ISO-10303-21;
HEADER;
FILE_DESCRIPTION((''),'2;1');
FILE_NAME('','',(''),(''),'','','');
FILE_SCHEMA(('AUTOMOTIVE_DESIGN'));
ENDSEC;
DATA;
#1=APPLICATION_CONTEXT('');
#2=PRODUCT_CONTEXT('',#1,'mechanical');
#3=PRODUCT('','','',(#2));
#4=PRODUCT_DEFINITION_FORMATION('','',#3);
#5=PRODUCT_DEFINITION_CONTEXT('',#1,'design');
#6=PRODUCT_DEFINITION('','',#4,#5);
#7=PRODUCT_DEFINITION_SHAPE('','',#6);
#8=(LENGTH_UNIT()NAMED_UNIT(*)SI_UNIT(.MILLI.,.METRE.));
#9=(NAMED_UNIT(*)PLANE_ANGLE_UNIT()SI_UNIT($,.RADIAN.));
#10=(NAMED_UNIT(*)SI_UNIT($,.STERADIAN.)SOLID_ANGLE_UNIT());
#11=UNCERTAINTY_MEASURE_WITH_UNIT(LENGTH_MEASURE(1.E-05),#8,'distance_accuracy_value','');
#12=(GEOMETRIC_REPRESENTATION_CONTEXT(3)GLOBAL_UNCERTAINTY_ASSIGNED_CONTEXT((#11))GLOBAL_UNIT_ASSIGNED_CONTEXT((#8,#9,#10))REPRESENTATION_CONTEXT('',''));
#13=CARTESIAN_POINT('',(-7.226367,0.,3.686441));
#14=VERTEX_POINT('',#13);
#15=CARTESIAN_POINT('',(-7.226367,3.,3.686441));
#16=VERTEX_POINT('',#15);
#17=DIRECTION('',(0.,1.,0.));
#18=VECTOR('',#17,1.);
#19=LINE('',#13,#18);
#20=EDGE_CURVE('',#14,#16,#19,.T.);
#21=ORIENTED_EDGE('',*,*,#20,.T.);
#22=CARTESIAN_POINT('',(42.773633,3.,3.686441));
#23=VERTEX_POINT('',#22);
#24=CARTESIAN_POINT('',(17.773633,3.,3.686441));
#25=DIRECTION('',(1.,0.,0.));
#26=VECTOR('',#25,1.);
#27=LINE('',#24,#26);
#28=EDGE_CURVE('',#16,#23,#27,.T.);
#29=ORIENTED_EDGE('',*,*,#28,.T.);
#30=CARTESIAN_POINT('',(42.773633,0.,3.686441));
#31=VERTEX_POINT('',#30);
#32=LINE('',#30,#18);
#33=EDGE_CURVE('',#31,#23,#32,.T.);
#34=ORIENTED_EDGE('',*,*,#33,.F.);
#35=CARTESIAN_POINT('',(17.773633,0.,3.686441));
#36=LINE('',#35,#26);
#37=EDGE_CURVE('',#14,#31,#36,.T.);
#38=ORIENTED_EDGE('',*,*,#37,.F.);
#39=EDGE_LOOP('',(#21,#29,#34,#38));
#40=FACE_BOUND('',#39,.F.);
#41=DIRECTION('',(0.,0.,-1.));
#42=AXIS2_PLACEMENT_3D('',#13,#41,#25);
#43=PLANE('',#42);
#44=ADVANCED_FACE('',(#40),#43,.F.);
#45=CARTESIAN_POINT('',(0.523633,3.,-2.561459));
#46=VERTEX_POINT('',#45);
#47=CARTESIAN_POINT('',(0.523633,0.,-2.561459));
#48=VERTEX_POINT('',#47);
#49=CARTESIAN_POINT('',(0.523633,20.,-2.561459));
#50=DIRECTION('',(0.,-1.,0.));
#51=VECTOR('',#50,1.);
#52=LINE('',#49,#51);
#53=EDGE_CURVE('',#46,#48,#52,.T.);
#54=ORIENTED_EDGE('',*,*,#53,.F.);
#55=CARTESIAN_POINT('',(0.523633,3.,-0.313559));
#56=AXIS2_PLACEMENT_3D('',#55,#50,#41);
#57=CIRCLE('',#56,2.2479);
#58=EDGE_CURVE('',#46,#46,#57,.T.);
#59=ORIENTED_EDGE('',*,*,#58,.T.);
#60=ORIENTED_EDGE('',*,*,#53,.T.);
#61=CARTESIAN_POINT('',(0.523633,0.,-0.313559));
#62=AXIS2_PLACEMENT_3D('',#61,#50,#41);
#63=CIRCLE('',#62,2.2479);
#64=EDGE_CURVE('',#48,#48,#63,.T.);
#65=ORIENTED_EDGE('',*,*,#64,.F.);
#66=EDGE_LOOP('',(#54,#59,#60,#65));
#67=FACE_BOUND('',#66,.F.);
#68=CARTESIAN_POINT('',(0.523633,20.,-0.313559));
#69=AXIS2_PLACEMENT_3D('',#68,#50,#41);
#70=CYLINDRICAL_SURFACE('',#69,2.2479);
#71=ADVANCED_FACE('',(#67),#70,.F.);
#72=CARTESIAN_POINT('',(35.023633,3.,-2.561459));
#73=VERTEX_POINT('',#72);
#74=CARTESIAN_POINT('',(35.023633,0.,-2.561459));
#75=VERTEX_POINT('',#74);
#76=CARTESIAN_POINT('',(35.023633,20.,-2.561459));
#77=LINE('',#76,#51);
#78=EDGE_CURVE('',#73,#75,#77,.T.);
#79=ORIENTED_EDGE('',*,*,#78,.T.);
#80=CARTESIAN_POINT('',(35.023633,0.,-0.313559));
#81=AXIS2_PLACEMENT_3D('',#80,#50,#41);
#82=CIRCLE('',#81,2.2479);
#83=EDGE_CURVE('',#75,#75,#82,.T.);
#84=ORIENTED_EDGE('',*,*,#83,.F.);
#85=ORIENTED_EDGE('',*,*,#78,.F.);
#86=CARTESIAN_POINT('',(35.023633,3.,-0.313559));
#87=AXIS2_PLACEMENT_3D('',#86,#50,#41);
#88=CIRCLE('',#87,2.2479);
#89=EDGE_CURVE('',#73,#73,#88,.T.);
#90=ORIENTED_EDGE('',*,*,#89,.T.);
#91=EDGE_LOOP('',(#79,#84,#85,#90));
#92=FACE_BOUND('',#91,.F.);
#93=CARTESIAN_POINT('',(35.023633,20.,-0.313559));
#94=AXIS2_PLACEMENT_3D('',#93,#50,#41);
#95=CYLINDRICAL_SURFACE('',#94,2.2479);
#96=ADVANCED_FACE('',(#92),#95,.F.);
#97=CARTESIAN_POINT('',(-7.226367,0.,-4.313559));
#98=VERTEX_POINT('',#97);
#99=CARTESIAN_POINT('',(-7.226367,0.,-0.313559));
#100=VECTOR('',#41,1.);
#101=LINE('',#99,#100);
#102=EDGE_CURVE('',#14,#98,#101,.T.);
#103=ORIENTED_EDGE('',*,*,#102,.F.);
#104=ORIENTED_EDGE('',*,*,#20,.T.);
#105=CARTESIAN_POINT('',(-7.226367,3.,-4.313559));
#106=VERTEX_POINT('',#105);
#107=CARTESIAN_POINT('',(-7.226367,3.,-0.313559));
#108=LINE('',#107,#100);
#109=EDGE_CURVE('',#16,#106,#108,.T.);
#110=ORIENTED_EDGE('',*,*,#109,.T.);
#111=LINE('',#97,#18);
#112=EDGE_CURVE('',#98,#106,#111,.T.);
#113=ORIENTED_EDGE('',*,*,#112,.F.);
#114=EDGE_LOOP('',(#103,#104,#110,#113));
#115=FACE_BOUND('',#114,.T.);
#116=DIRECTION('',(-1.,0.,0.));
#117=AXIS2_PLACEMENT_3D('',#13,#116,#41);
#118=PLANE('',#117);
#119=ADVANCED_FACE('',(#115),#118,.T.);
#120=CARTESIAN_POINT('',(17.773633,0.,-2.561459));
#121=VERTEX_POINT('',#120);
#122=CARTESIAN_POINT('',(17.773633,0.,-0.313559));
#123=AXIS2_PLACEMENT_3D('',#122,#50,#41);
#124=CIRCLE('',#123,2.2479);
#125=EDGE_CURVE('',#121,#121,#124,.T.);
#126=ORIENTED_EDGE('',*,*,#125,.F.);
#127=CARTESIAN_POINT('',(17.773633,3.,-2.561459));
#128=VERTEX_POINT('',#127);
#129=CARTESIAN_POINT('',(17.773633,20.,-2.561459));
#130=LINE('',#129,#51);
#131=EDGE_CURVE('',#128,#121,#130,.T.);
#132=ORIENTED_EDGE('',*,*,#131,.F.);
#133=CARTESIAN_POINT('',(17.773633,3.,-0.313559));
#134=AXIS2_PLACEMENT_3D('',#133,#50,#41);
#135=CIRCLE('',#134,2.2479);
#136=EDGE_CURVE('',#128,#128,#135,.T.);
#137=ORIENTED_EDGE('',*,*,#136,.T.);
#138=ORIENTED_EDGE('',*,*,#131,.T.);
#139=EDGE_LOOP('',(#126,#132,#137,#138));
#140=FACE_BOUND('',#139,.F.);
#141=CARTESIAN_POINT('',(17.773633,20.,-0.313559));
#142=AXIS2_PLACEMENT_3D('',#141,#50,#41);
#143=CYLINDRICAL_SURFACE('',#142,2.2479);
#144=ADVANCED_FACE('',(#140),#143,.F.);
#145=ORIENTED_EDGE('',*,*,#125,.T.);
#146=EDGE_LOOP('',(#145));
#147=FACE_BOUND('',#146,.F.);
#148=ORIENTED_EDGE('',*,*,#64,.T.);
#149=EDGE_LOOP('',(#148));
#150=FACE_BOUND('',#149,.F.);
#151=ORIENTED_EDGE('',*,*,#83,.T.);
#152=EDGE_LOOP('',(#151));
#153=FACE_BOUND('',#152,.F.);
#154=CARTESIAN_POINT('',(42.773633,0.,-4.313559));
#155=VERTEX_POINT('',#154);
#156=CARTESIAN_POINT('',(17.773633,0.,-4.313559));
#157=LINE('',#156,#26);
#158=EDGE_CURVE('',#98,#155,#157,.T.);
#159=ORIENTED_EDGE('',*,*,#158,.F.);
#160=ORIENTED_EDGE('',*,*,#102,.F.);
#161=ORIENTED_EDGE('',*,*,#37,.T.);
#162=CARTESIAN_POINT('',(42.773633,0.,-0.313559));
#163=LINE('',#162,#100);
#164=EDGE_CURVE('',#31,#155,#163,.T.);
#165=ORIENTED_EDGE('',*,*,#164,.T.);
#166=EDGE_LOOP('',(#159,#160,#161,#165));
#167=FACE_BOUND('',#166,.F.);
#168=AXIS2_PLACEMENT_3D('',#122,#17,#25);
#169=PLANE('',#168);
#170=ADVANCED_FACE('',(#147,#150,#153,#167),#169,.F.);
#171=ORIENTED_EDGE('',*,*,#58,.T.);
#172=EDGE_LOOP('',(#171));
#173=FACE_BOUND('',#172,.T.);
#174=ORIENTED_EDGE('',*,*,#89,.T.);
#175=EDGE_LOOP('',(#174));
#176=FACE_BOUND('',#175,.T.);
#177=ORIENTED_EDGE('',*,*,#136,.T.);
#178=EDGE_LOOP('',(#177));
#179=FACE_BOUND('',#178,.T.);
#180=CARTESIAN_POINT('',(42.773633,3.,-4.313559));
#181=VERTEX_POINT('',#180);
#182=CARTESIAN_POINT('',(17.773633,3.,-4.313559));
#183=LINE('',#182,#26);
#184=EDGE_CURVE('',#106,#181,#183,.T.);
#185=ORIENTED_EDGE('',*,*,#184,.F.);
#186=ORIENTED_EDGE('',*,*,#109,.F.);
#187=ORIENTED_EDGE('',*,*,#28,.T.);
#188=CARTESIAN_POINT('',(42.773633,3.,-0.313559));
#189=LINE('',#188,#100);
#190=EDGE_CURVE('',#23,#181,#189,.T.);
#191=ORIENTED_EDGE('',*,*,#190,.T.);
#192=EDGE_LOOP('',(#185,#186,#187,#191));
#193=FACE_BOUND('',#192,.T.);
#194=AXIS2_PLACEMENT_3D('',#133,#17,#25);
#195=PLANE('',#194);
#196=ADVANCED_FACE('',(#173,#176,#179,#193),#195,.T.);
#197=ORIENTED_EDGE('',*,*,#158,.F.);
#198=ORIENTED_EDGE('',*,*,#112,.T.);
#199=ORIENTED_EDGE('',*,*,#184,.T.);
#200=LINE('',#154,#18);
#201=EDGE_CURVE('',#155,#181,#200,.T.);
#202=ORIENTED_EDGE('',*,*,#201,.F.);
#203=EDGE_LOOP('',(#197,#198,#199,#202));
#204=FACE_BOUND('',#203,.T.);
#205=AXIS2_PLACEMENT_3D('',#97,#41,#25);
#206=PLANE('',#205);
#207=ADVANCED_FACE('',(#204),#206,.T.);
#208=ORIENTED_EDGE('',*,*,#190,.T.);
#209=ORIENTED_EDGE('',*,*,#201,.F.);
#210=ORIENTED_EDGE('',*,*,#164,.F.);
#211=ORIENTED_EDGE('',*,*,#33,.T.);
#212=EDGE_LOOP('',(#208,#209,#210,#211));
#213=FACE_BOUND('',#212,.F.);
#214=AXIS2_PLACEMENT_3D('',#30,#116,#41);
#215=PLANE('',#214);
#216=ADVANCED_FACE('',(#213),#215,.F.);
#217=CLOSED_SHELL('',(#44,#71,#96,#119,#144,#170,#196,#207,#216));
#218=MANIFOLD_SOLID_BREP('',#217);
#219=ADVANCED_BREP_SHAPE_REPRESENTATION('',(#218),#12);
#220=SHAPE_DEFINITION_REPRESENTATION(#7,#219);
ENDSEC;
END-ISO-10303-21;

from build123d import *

# Parameters (mm, degrees)
SKETCH1_W                 = 50
SKETCH1_H                 = 8
BOSS_EXTRUDE1_DEPTH       = 3
F_8_CLEARANCE_HOLE1_D     = 4.4958
F_8_CLEARANCE_HOLE1_DEPTH = 17
F_8_CLEARANCE_HOLE1_TIP   = 1.350674586


with BuildPart() as part:
    # Sketch1 → Boss-Extrude1 (new body)
    with BuildSketch(Plane(origin=(0, 0, 0), x_dir=(1, 0, 0), z_dir=(0, 1, 0))):
        with Locations((17.773632998, 0.313559322)):
            Rectangle(SKETCH1_W, SKETCH1_H)
    extrude(amount=BOSS_EXTRUDE1_DEPTH)

    # #8 Clearance Hole1
    with Locations(Plane(origin=(0.523632998, 3, -0.313559322), x_dir=(0, 0, 1), z_dir=(0, 1, 0))):
        with Locations((0, 0), (0, 34.5), (0, 17.25)):
            Hole(F_8_CLEARANCE_HOLE1_D / 2, depth=F_8_CLEARANCE_HOLE1_DEPTH)
            with Locations((0, 0, -(F_8_CLEARANCE_HOLE1_DEPTH + F_8_CLEARANCE_HOLE1_TIP / 2))):  # 118° drill point
                Cone(0, F_8_CLEARANCE_HOLE1_D / 2, F_8_CLEARANCE_HOLE1_TIP, mode=Mode.SUBTRACT)


solid = part.part
